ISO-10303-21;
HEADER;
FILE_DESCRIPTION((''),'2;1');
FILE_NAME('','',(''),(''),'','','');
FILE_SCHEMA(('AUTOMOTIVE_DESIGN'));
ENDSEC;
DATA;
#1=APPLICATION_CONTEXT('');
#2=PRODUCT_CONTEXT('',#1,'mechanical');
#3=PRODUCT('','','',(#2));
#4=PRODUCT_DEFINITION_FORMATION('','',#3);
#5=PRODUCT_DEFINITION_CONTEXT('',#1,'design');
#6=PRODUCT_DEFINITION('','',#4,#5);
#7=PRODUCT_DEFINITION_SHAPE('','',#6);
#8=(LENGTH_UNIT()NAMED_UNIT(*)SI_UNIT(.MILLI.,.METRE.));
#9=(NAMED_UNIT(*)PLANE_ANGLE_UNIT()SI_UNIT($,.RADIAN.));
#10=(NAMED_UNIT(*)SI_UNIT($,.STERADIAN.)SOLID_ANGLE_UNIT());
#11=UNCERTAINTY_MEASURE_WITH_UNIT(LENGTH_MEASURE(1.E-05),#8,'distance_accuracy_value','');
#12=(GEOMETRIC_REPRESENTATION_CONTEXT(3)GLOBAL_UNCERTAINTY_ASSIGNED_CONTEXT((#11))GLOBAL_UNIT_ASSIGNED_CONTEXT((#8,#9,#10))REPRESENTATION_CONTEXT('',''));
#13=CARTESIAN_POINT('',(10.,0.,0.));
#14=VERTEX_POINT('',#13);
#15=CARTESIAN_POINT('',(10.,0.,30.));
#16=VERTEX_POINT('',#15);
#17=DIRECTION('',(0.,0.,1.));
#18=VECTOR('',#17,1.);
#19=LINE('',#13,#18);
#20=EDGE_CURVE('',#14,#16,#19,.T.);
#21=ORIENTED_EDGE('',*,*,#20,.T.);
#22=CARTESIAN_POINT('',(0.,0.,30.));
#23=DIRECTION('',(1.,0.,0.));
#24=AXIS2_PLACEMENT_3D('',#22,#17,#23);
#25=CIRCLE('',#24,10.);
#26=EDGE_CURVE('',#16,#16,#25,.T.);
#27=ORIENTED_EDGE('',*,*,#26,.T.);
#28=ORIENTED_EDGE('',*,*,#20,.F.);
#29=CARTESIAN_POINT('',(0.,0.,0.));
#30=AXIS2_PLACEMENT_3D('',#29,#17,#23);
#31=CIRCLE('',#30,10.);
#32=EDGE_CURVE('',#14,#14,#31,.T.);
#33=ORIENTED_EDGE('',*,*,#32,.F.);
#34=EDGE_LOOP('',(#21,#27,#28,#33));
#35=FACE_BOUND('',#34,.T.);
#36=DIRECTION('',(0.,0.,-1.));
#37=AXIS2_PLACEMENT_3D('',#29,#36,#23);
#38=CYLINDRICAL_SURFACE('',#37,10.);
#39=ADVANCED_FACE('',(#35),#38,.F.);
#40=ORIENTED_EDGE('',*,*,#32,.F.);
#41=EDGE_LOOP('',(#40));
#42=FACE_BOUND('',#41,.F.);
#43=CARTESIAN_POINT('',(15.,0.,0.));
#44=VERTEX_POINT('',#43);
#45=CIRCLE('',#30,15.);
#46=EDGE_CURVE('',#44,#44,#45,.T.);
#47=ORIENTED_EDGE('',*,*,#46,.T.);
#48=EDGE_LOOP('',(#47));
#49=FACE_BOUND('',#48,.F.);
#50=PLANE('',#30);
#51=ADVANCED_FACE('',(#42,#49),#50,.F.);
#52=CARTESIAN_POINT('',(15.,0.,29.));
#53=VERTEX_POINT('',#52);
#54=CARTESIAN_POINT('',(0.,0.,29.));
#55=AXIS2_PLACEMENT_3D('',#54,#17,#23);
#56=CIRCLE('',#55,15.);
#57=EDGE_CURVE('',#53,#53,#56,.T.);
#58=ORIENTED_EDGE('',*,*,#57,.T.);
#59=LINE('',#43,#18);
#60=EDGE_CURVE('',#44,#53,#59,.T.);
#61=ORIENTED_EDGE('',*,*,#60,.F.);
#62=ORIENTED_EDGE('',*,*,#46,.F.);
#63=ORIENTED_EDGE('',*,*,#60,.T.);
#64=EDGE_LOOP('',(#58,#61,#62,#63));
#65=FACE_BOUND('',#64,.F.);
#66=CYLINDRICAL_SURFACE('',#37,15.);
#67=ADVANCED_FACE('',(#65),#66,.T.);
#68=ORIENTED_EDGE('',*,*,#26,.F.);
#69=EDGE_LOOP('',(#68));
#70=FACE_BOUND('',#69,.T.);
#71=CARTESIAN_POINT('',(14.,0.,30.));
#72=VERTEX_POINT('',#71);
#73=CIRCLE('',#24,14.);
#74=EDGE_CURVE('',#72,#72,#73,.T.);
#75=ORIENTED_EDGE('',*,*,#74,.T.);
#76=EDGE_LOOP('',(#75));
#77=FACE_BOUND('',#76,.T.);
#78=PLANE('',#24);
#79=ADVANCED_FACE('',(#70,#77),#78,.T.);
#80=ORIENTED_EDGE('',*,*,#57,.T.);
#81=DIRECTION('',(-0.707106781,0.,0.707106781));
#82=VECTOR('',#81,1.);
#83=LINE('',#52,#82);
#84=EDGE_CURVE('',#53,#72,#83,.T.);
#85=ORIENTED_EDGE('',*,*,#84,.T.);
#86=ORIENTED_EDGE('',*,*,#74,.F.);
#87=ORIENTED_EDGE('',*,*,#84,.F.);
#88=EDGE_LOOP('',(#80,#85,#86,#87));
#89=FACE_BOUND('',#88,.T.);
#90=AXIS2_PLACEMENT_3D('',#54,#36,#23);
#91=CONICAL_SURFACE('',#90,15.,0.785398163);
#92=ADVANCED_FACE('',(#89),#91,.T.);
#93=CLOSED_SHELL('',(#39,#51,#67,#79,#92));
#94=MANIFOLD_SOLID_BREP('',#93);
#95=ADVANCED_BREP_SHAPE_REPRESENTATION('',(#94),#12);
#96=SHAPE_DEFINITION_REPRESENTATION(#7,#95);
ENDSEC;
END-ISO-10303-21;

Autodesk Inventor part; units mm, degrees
ref_plane "YZ Plane" through (0, 0, 0) normal (1, 0, 0) x (0, 1, 0)
ref_plane "XZ Plane" through (0, 0, 0) normal (0, 1, 0) x (-1, 0, 0)
ref_plane "XY Plane" through (0, 0, 0) normal (0, 0, 1) x (1, 0, 0)
sketch "Sketch1" plane through (0, 0, 0) normal (0, 0, 1) x (1, 0, 0)
  circle A0 centre (0, 0) radius 15
  circle A1 centre (0, 0) radius 10
  dimension "d0" = 30
  dimension "d1" = 20
extrude "Extrusion1" add sketch "Sketch1" along normal blind 30
chamfer "Chamfer1" distance 1 angle 45 1 edges at (-15, 0, 30)
properties part number "bush"
